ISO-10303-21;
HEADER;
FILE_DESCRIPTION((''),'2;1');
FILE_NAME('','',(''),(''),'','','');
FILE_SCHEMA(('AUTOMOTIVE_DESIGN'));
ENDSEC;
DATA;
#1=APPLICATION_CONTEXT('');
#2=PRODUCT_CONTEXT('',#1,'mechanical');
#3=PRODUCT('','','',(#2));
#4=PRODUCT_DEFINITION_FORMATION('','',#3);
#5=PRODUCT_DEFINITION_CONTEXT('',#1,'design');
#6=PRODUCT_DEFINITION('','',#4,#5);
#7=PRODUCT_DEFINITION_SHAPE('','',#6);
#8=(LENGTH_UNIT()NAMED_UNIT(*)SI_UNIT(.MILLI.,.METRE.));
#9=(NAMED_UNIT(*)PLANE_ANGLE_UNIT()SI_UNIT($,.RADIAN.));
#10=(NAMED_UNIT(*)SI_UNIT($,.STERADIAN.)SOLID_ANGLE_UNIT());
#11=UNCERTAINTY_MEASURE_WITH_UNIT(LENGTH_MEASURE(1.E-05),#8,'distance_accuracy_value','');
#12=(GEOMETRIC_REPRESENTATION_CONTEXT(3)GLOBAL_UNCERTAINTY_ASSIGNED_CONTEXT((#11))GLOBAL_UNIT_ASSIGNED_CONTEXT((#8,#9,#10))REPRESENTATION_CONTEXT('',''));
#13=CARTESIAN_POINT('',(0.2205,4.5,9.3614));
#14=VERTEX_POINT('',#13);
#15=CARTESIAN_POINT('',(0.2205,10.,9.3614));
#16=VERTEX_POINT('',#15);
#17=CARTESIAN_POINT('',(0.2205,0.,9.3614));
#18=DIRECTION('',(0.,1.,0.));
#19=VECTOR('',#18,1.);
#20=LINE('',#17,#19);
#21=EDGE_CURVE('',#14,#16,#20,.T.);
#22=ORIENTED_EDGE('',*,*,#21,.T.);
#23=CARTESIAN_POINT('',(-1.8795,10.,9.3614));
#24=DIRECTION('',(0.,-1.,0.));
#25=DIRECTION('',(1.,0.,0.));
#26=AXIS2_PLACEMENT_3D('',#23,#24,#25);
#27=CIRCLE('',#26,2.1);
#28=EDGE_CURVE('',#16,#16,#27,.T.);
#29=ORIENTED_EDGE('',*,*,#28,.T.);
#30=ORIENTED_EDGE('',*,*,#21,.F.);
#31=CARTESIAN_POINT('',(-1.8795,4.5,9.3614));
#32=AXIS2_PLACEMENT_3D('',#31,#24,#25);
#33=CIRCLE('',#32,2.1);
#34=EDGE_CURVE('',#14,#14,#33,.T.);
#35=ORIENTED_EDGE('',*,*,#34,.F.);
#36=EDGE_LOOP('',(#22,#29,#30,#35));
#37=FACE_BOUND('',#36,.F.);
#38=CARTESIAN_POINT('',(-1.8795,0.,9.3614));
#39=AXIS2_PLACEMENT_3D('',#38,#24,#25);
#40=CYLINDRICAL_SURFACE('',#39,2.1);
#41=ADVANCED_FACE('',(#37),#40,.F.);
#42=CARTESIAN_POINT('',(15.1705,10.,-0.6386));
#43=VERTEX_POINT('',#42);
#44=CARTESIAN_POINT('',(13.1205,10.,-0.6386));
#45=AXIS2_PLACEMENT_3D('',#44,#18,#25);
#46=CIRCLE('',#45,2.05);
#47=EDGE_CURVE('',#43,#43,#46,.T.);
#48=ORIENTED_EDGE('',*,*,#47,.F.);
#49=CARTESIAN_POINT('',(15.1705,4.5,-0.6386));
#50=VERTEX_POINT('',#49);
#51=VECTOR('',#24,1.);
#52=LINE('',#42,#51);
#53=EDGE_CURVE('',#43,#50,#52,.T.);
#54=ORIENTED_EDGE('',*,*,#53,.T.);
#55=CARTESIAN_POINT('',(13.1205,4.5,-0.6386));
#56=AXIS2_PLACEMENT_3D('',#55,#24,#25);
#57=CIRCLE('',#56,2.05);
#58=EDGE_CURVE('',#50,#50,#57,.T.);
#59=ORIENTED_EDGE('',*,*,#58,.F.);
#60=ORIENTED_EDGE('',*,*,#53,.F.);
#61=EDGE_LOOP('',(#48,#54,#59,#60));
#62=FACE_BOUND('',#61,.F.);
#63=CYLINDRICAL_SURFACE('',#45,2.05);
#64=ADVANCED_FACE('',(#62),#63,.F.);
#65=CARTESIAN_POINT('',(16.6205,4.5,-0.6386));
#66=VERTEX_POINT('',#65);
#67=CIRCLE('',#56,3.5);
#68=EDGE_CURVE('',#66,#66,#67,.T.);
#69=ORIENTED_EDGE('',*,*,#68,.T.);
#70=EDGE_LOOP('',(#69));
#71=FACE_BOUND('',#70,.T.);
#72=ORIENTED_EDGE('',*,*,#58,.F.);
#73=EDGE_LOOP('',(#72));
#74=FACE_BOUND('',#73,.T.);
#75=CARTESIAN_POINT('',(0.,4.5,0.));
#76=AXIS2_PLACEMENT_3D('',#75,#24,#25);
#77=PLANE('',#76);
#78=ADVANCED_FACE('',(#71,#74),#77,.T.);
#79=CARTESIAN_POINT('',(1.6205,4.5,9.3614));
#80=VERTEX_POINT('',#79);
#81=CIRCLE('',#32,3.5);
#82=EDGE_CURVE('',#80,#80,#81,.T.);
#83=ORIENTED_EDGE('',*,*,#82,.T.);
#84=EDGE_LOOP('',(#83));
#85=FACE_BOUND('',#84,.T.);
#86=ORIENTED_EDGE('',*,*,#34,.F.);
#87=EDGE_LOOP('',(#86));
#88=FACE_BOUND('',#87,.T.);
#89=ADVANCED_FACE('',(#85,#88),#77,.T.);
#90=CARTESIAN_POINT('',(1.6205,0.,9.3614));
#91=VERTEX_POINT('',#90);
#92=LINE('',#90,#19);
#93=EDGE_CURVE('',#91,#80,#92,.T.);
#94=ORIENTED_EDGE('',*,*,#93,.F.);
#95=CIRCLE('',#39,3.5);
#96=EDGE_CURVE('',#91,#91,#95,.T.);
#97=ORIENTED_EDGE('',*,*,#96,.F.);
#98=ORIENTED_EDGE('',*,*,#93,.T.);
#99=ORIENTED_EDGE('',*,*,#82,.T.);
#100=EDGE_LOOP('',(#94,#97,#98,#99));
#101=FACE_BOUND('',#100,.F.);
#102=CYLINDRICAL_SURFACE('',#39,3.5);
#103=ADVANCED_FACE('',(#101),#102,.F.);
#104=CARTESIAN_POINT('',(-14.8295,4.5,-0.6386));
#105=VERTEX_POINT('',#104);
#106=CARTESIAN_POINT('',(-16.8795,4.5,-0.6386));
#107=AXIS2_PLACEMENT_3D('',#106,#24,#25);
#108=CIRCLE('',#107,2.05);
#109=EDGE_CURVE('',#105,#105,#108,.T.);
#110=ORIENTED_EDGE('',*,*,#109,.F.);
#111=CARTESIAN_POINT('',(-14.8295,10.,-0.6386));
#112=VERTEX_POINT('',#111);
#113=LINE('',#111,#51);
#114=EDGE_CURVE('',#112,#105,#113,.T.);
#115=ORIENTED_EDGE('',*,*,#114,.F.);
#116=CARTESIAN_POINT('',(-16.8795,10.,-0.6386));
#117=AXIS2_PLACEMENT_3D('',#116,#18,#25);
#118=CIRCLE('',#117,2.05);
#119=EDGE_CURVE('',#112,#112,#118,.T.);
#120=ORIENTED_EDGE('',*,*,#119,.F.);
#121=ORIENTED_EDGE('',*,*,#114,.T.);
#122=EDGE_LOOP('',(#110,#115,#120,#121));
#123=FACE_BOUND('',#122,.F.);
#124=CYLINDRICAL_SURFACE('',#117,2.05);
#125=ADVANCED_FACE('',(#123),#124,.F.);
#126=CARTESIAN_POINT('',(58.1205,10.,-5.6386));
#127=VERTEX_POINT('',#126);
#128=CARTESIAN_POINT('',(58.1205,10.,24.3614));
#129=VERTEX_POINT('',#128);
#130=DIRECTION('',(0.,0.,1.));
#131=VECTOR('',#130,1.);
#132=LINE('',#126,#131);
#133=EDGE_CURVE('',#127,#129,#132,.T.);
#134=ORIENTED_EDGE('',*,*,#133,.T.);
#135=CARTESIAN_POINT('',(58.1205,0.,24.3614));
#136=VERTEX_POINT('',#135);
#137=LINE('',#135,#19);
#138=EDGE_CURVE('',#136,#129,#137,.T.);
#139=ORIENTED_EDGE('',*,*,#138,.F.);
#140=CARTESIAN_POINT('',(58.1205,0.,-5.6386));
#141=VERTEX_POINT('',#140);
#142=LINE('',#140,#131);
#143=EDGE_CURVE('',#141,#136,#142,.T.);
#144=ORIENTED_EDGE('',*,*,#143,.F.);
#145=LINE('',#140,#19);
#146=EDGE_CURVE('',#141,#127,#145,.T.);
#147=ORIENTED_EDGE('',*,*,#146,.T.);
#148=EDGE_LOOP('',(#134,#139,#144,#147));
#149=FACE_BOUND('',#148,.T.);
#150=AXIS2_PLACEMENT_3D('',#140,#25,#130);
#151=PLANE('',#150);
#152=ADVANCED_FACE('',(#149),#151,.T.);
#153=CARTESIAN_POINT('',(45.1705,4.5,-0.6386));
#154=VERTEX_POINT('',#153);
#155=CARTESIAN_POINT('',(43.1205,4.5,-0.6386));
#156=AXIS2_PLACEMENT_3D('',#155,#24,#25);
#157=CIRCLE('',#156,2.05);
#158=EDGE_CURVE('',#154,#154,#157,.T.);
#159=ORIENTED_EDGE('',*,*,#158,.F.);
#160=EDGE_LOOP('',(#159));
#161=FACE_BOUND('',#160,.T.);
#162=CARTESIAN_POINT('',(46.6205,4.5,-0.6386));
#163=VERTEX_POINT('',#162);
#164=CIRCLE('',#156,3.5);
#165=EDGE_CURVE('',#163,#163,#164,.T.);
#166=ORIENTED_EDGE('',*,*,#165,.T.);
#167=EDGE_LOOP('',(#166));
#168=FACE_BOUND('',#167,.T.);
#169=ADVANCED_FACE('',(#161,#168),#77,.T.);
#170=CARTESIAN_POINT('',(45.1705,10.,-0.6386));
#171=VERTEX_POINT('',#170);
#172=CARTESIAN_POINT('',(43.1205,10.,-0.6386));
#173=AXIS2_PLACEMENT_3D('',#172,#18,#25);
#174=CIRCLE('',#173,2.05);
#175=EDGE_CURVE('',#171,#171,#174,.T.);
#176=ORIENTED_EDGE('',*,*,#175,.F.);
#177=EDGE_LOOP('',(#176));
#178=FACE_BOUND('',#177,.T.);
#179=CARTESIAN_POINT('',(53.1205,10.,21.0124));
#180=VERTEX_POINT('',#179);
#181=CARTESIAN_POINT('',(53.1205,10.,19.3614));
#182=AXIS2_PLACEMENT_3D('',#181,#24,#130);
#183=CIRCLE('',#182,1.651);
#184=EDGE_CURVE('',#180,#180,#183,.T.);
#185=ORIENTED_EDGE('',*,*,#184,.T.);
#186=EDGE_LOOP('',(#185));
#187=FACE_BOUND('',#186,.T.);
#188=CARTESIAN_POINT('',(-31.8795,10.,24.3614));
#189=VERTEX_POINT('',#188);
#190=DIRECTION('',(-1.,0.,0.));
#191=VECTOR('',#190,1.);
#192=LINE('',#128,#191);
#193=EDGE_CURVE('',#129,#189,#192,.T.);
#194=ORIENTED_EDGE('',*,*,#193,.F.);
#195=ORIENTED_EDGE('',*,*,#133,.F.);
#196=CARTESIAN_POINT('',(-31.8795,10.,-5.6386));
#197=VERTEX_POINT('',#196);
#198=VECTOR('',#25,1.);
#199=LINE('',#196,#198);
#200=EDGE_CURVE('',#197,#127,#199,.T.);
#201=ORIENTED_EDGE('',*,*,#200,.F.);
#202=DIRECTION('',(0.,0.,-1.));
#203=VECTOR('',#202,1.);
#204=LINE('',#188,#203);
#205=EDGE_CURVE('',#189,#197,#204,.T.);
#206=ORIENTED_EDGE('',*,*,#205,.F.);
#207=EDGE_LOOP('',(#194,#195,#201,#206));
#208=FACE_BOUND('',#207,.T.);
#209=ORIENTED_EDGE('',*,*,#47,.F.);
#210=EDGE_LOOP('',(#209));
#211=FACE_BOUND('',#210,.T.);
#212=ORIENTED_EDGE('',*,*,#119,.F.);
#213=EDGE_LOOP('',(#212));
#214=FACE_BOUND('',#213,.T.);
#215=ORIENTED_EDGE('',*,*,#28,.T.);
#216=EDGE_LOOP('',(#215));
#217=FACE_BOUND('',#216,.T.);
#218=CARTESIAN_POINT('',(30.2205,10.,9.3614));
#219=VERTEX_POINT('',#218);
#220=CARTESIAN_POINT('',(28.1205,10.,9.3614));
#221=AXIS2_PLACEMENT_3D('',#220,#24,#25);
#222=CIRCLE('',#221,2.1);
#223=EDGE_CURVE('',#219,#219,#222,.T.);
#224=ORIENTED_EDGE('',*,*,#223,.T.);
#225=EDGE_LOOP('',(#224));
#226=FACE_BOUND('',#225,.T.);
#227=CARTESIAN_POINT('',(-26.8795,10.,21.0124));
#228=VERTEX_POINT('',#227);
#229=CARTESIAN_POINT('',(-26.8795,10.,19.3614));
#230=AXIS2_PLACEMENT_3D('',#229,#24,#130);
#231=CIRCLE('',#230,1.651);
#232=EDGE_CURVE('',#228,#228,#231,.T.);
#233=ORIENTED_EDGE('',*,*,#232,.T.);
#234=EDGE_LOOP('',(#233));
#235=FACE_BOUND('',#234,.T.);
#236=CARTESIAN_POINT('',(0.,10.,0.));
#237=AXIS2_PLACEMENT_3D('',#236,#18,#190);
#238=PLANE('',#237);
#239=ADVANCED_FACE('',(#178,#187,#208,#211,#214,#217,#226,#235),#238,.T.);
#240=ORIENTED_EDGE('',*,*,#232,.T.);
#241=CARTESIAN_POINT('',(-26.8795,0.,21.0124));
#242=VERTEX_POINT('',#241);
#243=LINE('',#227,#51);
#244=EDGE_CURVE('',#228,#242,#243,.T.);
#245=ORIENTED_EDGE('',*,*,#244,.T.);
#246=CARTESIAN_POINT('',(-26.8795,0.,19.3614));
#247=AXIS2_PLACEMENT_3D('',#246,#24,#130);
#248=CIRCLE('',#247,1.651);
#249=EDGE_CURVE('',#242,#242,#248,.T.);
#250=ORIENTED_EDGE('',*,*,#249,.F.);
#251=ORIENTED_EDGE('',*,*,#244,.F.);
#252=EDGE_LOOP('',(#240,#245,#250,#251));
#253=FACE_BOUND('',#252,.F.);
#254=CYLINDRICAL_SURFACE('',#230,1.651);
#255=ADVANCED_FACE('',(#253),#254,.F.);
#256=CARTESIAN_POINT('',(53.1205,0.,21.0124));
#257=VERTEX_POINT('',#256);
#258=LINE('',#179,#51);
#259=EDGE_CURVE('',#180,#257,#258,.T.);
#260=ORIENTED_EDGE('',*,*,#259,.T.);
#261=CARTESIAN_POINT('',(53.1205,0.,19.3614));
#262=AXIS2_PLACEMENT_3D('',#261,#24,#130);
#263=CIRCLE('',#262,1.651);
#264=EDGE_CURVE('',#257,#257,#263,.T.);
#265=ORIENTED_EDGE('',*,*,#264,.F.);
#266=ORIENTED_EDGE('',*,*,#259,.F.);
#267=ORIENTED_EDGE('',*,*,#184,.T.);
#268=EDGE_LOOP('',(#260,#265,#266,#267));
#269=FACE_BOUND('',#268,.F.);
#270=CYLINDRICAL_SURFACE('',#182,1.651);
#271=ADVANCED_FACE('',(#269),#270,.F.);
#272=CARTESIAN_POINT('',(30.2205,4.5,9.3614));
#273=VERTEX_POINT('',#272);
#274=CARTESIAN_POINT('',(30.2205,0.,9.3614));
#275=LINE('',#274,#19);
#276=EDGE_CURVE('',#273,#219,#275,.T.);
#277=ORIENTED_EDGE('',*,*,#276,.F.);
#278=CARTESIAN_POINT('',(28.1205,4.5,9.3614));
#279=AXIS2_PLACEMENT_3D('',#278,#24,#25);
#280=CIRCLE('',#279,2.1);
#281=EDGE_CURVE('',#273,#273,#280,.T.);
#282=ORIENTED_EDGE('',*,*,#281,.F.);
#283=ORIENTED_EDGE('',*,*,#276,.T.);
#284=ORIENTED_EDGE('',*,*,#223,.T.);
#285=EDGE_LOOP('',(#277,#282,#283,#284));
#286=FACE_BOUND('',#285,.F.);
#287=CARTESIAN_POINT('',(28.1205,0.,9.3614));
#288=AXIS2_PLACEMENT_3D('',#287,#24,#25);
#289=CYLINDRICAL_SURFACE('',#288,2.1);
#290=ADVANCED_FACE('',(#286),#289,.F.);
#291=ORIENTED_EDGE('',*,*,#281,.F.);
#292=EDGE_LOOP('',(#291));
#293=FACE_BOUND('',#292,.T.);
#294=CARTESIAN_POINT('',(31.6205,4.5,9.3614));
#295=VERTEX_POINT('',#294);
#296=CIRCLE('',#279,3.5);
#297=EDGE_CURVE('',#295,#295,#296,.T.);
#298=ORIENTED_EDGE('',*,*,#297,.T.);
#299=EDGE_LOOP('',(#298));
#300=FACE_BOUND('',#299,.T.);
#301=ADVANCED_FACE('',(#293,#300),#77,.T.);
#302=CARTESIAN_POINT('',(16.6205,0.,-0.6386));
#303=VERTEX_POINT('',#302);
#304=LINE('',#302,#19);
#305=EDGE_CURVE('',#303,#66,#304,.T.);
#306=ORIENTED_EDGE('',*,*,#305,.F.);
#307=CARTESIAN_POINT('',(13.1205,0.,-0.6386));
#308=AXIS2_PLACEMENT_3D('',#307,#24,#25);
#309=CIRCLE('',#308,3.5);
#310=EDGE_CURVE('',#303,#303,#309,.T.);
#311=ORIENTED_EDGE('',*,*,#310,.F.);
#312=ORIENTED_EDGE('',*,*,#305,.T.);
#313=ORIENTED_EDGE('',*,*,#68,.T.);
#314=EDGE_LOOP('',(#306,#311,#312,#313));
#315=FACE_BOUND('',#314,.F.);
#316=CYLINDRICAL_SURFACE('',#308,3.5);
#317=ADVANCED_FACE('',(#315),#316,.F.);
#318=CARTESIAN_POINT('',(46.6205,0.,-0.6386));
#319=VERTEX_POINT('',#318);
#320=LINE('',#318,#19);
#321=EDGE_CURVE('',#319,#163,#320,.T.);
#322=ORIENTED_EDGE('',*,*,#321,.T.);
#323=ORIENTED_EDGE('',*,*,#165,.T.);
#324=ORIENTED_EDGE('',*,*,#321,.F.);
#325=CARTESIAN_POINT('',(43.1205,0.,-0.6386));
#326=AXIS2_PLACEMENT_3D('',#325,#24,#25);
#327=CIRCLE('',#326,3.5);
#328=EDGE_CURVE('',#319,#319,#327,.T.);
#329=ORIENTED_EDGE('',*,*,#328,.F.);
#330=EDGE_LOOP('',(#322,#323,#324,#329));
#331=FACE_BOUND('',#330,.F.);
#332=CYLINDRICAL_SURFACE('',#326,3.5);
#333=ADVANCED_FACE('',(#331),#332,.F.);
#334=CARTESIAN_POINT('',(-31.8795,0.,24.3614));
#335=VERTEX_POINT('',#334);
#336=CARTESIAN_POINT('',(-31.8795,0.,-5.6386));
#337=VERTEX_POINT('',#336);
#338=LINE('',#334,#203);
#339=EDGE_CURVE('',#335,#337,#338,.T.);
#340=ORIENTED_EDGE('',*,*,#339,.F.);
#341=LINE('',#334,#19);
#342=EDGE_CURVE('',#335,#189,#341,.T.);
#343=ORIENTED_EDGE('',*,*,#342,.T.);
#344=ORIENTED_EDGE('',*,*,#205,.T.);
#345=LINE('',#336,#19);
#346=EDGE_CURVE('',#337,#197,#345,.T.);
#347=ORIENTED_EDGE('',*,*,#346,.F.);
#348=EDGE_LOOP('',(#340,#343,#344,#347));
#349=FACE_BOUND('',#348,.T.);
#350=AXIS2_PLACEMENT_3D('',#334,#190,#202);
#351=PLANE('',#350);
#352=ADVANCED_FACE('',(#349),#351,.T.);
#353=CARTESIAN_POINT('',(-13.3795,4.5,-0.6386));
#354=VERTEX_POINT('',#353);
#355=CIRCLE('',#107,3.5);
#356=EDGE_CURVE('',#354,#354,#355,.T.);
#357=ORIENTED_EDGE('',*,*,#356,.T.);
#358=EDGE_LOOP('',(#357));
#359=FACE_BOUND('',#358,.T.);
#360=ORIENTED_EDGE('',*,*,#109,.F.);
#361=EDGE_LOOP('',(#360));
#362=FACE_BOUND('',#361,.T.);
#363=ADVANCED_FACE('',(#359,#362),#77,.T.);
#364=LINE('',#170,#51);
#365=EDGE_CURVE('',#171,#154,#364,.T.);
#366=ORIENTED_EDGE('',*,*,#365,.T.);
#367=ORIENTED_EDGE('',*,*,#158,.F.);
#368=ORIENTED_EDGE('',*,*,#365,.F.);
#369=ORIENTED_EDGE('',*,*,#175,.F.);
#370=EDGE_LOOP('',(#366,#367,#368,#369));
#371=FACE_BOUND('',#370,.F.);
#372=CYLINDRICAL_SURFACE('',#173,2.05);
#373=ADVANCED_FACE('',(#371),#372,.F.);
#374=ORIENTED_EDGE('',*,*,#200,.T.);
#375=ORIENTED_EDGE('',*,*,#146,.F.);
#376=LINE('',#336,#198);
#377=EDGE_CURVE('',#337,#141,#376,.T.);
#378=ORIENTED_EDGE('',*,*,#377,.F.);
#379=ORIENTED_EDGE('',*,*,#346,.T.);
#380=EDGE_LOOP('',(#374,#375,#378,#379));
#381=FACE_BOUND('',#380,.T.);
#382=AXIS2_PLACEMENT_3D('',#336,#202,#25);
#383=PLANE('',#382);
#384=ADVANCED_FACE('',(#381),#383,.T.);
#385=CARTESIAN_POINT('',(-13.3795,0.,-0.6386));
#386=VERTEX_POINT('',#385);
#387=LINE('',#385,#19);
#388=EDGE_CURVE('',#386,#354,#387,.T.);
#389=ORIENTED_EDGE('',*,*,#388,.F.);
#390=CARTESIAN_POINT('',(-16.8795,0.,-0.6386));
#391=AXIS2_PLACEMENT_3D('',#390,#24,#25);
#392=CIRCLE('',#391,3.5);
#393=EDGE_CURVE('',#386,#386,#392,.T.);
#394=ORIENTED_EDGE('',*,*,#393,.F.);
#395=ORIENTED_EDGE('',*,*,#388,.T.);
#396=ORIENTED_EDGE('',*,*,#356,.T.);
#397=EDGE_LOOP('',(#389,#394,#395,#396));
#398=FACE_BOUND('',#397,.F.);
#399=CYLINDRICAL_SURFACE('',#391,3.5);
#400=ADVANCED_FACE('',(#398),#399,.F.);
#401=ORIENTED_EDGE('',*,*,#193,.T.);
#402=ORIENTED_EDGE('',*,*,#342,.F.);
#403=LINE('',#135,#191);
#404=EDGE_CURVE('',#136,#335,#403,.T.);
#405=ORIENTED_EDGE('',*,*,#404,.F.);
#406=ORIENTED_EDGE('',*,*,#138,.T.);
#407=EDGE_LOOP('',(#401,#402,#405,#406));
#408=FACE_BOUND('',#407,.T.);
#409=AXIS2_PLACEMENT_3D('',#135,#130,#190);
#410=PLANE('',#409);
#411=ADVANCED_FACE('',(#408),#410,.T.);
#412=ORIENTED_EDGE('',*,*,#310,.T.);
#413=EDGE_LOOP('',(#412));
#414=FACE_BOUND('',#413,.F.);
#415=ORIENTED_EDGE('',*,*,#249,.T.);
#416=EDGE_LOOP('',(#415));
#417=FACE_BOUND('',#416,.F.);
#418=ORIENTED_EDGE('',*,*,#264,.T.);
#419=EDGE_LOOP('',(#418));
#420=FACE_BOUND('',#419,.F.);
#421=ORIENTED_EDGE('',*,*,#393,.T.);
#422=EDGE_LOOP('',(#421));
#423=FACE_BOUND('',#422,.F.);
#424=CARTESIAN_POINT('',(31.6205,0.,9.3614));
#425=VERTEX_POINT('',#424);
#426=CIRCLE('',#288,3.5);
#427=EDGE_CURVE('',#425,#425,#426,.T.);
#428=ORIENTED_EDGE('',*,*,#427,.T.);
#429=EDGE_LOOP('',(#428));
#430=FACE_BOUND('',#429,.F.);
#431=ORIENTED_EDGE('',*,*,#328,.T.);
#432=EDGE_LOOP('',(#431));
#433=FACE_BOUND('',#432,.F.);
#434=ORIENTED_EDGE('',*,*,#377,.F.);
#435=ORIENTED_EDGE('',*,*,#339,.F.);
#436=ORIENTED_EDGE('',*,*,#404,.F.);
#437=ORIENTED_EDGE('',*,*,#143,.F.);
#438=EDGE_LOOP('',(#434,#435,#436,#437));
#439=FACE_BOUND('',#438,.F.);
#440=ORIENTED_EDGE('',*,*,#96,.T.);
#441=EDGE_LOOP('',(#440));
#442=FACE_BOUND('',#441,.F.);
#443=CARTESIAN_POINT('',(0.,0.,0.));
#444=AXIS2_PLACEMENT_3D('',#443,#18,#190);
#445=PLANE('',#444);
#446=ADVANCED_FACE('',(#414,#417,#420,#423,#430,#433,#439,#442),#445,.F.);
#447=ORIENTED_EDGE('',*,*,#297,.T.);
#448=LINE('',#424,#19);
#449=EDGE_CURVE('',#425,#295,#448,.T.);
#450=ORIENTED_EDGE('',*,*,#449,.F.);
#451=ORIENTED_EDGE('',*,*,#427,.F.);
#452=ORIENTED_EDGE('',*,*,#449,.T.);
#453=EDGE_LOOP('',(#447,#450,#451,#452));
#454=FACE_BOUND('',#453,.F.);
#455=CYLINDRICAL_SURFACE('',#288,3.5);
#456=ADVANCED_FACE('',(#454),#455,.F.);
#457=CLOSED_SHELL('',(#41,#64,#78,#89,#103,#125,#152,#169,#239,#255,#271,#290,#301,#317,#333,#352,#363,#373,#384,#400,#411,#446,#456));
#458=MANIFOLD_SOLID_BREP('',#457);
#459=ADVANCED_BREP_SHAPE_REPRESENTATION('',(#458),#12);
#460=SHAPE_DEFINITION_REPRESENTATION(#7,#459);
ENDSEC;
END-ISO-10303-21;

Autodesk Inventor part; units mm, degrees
ref_plane "YZ Plane" through (0, 0, 0) normal (1, 0, 0) x (0, 1, 0)
ref_plane "XZ Plane" through (0, 0, 0) normal (0, 1, 0) x (-1, 0, 0)
ref_plane "XY Plane" through (0, 0, 0) normal (0, 0, 1) x (1, 0, 0)
sketch "Sketch1" plane through (0, 0, 0) normal (0, 1, 0) x (-1, 0, 0)
  line L0 (31.8795, -5.6386) -> (-58.1205, -5.6386)
  line L1 (-58.1205, -5.6386) -> (-58.1205, 24.3614)
  line L2 (-58.1205, 24.3614) -> (31.8795, 24.3614)
  line L3 (31.8795, 24.3614) -> (31.8795, -5.6386)
  point P0 (0, 0)
  dimension "d0" = 90
  dimension "d5" = 30
extrude "Extrusion1" add sketch "Sketch1" along normal blind 10
sketch "Sketch2" plane through (0, 10, 0) normal (0, 1, 0) x (1, 0, 0)
  line L0 (58.1205, 5.6386) -> (-31.8795, 5.6386) projected
  line L1 (-31.8795, 5.6386) -> (-31.8795, -24.3614) projected
  circle A0 centre (-16.8795, 0.6386) radius 2.05
  circle A1 centre (13.1205, 0.6386) radius 2.05
  circle A2 centre (43.1205, 0.6386) radius 2.05
  point P0 (0, 0)
  dimension "d8" = 4.1
  dimension "d10" = 4.1
  dimension "d11" = 4.1
  dimension "d12" = 5
  dimension "d13" = 5
  dimension "d14" = 5
  dimension "d15" = 15
  dimension "d16" = 30
  dimension "d17" = 30
extrude "Extrusion2" cut sketch "Sketch2" against normal blind 10
sketch "Sketch4" plane through (0, 0, 0) normal (0, -1, 0) x (1, 0, 0)
  circle A0 centre (13.1205, -0.6386) radius 2.05 projected
  circle A1 centre (-16.8795, -0.6386) radius 2.05 projected
  circle A2 centre (43.1205, -0.6386) radius 2.05 projected
  circle A3 centre (-16.8795, -0.6386) radius 3.5
  circle A4 centre (13.1205, -0.6386) radius 3.5
  circle A5 centre (43.1205, -0.6386) radius 3.5
  point P0 (0, 0)
  dimension "d26" = 7
  dimension "d28" = 7
  dimension "d29" = 7
extrude "Extrusion4" cut sketch "Sketch4" against normal blind 4.5
sketch "Sketch5" plane through (0, 0, 0) normal (0, -1, 0) x (1, 0, 0)
  line L0 (58.1205, -5.6386) -> (58.1205, 24.3614) projected
  line L1 (58.1205, 24.3614) -> (-31.8795, 24.3614) projected
  line L2 (-31.8795, 24.3614) -> (-31.8795, -5.6386) projected
  circle A0 centre (-1.8795, 9.3614) radius 2.1
  circle A1 centre (28.1205, 9.3614) radius 2.1
  point P0 (0, 0)
  dimension "d32" = 4.2
  dimension "d34" = 4.2
  dimension "d35" = 30
  dimension "d36" = 30
  dimension "d37" = 15
  dimension "d38" = 15
extrude "Extrusion5" cut sketch "Sketch5" against normal blind 10
sketch "Sketch6" plane through (0, 0, 0) normal (0, -1, 0) x (1, 0, 0)
  circle A0 centre (-1.8795, 9.3614) radius 2.1 projected
  circle A1 centre (28.1205, 9.3614) radius 2.1 projected
  circle A2 centre (-1.8795, 9.3614) radius 3.5
  circle A3 centre (28.1205, 9.3614) radius 3.5
  point P0 (0, 0)
  dimension "d41" = 7
  dimension "d43" = 7
extrude "Extrusion6" cut sketch "Sketch6" against normal blind 4.5
sketch "Sketch8" plane through (0, 10, 0) normal (0, 1, 0) x (1, 0, 0)
  line L0 (-31.8795, 5.6386) -> (-31.8795, -24.3614) projected
  line L1 (-31.8795, -24.3614) -> (-26.8795, -24.3614)
  line L2 (-26.8795, -24.3614) -> (-26.8795, -19.3614)
  line L3 (-26.8795, -19.3614) -> (-31.8795, -19.3614)
  line L4 (-31.8795, -19.3614) -> (-31.8795, -24.3614)
  line L5 (-31.8795, -24.3614) -> (58.1205, -24.3614) projected
  line L6 (58.1205, -24.3614) -> (53.1205, -24.3614)
  line L7 (53.1205, -24.3614) -> (53.1205, -19.3614)
  line L8 (53.1205, -19.3614) -> (58.1205, -19.3614)
  line L9 (58.1205, -19.3614) -> (58.1205, -24.3614)
  point P0 (0, 0)
  dimension "d58" = 5
  dimension "d59" = 5
  dimension "d62" = 5
  dimension "d63" = 5
hole "Hole1" at (-26.8795, 10, 19.3614) at (53.1205, 10, 19.3614) direction (0, -1, 0) diameter 3.302 depth 12.3 thread size "8-32 UNC" class "2B" standard "ANSI Unified Screw Threads"
equation "\"d10\" = d8"
equation "\"d11\" = d8"
equation "\"d13\" = d12"
equation "\"d14\" = d12"
equation "\"d28\" = d26"
equation "\"d29\" = d26"
properties part number "AgarMouldBottomV3"
